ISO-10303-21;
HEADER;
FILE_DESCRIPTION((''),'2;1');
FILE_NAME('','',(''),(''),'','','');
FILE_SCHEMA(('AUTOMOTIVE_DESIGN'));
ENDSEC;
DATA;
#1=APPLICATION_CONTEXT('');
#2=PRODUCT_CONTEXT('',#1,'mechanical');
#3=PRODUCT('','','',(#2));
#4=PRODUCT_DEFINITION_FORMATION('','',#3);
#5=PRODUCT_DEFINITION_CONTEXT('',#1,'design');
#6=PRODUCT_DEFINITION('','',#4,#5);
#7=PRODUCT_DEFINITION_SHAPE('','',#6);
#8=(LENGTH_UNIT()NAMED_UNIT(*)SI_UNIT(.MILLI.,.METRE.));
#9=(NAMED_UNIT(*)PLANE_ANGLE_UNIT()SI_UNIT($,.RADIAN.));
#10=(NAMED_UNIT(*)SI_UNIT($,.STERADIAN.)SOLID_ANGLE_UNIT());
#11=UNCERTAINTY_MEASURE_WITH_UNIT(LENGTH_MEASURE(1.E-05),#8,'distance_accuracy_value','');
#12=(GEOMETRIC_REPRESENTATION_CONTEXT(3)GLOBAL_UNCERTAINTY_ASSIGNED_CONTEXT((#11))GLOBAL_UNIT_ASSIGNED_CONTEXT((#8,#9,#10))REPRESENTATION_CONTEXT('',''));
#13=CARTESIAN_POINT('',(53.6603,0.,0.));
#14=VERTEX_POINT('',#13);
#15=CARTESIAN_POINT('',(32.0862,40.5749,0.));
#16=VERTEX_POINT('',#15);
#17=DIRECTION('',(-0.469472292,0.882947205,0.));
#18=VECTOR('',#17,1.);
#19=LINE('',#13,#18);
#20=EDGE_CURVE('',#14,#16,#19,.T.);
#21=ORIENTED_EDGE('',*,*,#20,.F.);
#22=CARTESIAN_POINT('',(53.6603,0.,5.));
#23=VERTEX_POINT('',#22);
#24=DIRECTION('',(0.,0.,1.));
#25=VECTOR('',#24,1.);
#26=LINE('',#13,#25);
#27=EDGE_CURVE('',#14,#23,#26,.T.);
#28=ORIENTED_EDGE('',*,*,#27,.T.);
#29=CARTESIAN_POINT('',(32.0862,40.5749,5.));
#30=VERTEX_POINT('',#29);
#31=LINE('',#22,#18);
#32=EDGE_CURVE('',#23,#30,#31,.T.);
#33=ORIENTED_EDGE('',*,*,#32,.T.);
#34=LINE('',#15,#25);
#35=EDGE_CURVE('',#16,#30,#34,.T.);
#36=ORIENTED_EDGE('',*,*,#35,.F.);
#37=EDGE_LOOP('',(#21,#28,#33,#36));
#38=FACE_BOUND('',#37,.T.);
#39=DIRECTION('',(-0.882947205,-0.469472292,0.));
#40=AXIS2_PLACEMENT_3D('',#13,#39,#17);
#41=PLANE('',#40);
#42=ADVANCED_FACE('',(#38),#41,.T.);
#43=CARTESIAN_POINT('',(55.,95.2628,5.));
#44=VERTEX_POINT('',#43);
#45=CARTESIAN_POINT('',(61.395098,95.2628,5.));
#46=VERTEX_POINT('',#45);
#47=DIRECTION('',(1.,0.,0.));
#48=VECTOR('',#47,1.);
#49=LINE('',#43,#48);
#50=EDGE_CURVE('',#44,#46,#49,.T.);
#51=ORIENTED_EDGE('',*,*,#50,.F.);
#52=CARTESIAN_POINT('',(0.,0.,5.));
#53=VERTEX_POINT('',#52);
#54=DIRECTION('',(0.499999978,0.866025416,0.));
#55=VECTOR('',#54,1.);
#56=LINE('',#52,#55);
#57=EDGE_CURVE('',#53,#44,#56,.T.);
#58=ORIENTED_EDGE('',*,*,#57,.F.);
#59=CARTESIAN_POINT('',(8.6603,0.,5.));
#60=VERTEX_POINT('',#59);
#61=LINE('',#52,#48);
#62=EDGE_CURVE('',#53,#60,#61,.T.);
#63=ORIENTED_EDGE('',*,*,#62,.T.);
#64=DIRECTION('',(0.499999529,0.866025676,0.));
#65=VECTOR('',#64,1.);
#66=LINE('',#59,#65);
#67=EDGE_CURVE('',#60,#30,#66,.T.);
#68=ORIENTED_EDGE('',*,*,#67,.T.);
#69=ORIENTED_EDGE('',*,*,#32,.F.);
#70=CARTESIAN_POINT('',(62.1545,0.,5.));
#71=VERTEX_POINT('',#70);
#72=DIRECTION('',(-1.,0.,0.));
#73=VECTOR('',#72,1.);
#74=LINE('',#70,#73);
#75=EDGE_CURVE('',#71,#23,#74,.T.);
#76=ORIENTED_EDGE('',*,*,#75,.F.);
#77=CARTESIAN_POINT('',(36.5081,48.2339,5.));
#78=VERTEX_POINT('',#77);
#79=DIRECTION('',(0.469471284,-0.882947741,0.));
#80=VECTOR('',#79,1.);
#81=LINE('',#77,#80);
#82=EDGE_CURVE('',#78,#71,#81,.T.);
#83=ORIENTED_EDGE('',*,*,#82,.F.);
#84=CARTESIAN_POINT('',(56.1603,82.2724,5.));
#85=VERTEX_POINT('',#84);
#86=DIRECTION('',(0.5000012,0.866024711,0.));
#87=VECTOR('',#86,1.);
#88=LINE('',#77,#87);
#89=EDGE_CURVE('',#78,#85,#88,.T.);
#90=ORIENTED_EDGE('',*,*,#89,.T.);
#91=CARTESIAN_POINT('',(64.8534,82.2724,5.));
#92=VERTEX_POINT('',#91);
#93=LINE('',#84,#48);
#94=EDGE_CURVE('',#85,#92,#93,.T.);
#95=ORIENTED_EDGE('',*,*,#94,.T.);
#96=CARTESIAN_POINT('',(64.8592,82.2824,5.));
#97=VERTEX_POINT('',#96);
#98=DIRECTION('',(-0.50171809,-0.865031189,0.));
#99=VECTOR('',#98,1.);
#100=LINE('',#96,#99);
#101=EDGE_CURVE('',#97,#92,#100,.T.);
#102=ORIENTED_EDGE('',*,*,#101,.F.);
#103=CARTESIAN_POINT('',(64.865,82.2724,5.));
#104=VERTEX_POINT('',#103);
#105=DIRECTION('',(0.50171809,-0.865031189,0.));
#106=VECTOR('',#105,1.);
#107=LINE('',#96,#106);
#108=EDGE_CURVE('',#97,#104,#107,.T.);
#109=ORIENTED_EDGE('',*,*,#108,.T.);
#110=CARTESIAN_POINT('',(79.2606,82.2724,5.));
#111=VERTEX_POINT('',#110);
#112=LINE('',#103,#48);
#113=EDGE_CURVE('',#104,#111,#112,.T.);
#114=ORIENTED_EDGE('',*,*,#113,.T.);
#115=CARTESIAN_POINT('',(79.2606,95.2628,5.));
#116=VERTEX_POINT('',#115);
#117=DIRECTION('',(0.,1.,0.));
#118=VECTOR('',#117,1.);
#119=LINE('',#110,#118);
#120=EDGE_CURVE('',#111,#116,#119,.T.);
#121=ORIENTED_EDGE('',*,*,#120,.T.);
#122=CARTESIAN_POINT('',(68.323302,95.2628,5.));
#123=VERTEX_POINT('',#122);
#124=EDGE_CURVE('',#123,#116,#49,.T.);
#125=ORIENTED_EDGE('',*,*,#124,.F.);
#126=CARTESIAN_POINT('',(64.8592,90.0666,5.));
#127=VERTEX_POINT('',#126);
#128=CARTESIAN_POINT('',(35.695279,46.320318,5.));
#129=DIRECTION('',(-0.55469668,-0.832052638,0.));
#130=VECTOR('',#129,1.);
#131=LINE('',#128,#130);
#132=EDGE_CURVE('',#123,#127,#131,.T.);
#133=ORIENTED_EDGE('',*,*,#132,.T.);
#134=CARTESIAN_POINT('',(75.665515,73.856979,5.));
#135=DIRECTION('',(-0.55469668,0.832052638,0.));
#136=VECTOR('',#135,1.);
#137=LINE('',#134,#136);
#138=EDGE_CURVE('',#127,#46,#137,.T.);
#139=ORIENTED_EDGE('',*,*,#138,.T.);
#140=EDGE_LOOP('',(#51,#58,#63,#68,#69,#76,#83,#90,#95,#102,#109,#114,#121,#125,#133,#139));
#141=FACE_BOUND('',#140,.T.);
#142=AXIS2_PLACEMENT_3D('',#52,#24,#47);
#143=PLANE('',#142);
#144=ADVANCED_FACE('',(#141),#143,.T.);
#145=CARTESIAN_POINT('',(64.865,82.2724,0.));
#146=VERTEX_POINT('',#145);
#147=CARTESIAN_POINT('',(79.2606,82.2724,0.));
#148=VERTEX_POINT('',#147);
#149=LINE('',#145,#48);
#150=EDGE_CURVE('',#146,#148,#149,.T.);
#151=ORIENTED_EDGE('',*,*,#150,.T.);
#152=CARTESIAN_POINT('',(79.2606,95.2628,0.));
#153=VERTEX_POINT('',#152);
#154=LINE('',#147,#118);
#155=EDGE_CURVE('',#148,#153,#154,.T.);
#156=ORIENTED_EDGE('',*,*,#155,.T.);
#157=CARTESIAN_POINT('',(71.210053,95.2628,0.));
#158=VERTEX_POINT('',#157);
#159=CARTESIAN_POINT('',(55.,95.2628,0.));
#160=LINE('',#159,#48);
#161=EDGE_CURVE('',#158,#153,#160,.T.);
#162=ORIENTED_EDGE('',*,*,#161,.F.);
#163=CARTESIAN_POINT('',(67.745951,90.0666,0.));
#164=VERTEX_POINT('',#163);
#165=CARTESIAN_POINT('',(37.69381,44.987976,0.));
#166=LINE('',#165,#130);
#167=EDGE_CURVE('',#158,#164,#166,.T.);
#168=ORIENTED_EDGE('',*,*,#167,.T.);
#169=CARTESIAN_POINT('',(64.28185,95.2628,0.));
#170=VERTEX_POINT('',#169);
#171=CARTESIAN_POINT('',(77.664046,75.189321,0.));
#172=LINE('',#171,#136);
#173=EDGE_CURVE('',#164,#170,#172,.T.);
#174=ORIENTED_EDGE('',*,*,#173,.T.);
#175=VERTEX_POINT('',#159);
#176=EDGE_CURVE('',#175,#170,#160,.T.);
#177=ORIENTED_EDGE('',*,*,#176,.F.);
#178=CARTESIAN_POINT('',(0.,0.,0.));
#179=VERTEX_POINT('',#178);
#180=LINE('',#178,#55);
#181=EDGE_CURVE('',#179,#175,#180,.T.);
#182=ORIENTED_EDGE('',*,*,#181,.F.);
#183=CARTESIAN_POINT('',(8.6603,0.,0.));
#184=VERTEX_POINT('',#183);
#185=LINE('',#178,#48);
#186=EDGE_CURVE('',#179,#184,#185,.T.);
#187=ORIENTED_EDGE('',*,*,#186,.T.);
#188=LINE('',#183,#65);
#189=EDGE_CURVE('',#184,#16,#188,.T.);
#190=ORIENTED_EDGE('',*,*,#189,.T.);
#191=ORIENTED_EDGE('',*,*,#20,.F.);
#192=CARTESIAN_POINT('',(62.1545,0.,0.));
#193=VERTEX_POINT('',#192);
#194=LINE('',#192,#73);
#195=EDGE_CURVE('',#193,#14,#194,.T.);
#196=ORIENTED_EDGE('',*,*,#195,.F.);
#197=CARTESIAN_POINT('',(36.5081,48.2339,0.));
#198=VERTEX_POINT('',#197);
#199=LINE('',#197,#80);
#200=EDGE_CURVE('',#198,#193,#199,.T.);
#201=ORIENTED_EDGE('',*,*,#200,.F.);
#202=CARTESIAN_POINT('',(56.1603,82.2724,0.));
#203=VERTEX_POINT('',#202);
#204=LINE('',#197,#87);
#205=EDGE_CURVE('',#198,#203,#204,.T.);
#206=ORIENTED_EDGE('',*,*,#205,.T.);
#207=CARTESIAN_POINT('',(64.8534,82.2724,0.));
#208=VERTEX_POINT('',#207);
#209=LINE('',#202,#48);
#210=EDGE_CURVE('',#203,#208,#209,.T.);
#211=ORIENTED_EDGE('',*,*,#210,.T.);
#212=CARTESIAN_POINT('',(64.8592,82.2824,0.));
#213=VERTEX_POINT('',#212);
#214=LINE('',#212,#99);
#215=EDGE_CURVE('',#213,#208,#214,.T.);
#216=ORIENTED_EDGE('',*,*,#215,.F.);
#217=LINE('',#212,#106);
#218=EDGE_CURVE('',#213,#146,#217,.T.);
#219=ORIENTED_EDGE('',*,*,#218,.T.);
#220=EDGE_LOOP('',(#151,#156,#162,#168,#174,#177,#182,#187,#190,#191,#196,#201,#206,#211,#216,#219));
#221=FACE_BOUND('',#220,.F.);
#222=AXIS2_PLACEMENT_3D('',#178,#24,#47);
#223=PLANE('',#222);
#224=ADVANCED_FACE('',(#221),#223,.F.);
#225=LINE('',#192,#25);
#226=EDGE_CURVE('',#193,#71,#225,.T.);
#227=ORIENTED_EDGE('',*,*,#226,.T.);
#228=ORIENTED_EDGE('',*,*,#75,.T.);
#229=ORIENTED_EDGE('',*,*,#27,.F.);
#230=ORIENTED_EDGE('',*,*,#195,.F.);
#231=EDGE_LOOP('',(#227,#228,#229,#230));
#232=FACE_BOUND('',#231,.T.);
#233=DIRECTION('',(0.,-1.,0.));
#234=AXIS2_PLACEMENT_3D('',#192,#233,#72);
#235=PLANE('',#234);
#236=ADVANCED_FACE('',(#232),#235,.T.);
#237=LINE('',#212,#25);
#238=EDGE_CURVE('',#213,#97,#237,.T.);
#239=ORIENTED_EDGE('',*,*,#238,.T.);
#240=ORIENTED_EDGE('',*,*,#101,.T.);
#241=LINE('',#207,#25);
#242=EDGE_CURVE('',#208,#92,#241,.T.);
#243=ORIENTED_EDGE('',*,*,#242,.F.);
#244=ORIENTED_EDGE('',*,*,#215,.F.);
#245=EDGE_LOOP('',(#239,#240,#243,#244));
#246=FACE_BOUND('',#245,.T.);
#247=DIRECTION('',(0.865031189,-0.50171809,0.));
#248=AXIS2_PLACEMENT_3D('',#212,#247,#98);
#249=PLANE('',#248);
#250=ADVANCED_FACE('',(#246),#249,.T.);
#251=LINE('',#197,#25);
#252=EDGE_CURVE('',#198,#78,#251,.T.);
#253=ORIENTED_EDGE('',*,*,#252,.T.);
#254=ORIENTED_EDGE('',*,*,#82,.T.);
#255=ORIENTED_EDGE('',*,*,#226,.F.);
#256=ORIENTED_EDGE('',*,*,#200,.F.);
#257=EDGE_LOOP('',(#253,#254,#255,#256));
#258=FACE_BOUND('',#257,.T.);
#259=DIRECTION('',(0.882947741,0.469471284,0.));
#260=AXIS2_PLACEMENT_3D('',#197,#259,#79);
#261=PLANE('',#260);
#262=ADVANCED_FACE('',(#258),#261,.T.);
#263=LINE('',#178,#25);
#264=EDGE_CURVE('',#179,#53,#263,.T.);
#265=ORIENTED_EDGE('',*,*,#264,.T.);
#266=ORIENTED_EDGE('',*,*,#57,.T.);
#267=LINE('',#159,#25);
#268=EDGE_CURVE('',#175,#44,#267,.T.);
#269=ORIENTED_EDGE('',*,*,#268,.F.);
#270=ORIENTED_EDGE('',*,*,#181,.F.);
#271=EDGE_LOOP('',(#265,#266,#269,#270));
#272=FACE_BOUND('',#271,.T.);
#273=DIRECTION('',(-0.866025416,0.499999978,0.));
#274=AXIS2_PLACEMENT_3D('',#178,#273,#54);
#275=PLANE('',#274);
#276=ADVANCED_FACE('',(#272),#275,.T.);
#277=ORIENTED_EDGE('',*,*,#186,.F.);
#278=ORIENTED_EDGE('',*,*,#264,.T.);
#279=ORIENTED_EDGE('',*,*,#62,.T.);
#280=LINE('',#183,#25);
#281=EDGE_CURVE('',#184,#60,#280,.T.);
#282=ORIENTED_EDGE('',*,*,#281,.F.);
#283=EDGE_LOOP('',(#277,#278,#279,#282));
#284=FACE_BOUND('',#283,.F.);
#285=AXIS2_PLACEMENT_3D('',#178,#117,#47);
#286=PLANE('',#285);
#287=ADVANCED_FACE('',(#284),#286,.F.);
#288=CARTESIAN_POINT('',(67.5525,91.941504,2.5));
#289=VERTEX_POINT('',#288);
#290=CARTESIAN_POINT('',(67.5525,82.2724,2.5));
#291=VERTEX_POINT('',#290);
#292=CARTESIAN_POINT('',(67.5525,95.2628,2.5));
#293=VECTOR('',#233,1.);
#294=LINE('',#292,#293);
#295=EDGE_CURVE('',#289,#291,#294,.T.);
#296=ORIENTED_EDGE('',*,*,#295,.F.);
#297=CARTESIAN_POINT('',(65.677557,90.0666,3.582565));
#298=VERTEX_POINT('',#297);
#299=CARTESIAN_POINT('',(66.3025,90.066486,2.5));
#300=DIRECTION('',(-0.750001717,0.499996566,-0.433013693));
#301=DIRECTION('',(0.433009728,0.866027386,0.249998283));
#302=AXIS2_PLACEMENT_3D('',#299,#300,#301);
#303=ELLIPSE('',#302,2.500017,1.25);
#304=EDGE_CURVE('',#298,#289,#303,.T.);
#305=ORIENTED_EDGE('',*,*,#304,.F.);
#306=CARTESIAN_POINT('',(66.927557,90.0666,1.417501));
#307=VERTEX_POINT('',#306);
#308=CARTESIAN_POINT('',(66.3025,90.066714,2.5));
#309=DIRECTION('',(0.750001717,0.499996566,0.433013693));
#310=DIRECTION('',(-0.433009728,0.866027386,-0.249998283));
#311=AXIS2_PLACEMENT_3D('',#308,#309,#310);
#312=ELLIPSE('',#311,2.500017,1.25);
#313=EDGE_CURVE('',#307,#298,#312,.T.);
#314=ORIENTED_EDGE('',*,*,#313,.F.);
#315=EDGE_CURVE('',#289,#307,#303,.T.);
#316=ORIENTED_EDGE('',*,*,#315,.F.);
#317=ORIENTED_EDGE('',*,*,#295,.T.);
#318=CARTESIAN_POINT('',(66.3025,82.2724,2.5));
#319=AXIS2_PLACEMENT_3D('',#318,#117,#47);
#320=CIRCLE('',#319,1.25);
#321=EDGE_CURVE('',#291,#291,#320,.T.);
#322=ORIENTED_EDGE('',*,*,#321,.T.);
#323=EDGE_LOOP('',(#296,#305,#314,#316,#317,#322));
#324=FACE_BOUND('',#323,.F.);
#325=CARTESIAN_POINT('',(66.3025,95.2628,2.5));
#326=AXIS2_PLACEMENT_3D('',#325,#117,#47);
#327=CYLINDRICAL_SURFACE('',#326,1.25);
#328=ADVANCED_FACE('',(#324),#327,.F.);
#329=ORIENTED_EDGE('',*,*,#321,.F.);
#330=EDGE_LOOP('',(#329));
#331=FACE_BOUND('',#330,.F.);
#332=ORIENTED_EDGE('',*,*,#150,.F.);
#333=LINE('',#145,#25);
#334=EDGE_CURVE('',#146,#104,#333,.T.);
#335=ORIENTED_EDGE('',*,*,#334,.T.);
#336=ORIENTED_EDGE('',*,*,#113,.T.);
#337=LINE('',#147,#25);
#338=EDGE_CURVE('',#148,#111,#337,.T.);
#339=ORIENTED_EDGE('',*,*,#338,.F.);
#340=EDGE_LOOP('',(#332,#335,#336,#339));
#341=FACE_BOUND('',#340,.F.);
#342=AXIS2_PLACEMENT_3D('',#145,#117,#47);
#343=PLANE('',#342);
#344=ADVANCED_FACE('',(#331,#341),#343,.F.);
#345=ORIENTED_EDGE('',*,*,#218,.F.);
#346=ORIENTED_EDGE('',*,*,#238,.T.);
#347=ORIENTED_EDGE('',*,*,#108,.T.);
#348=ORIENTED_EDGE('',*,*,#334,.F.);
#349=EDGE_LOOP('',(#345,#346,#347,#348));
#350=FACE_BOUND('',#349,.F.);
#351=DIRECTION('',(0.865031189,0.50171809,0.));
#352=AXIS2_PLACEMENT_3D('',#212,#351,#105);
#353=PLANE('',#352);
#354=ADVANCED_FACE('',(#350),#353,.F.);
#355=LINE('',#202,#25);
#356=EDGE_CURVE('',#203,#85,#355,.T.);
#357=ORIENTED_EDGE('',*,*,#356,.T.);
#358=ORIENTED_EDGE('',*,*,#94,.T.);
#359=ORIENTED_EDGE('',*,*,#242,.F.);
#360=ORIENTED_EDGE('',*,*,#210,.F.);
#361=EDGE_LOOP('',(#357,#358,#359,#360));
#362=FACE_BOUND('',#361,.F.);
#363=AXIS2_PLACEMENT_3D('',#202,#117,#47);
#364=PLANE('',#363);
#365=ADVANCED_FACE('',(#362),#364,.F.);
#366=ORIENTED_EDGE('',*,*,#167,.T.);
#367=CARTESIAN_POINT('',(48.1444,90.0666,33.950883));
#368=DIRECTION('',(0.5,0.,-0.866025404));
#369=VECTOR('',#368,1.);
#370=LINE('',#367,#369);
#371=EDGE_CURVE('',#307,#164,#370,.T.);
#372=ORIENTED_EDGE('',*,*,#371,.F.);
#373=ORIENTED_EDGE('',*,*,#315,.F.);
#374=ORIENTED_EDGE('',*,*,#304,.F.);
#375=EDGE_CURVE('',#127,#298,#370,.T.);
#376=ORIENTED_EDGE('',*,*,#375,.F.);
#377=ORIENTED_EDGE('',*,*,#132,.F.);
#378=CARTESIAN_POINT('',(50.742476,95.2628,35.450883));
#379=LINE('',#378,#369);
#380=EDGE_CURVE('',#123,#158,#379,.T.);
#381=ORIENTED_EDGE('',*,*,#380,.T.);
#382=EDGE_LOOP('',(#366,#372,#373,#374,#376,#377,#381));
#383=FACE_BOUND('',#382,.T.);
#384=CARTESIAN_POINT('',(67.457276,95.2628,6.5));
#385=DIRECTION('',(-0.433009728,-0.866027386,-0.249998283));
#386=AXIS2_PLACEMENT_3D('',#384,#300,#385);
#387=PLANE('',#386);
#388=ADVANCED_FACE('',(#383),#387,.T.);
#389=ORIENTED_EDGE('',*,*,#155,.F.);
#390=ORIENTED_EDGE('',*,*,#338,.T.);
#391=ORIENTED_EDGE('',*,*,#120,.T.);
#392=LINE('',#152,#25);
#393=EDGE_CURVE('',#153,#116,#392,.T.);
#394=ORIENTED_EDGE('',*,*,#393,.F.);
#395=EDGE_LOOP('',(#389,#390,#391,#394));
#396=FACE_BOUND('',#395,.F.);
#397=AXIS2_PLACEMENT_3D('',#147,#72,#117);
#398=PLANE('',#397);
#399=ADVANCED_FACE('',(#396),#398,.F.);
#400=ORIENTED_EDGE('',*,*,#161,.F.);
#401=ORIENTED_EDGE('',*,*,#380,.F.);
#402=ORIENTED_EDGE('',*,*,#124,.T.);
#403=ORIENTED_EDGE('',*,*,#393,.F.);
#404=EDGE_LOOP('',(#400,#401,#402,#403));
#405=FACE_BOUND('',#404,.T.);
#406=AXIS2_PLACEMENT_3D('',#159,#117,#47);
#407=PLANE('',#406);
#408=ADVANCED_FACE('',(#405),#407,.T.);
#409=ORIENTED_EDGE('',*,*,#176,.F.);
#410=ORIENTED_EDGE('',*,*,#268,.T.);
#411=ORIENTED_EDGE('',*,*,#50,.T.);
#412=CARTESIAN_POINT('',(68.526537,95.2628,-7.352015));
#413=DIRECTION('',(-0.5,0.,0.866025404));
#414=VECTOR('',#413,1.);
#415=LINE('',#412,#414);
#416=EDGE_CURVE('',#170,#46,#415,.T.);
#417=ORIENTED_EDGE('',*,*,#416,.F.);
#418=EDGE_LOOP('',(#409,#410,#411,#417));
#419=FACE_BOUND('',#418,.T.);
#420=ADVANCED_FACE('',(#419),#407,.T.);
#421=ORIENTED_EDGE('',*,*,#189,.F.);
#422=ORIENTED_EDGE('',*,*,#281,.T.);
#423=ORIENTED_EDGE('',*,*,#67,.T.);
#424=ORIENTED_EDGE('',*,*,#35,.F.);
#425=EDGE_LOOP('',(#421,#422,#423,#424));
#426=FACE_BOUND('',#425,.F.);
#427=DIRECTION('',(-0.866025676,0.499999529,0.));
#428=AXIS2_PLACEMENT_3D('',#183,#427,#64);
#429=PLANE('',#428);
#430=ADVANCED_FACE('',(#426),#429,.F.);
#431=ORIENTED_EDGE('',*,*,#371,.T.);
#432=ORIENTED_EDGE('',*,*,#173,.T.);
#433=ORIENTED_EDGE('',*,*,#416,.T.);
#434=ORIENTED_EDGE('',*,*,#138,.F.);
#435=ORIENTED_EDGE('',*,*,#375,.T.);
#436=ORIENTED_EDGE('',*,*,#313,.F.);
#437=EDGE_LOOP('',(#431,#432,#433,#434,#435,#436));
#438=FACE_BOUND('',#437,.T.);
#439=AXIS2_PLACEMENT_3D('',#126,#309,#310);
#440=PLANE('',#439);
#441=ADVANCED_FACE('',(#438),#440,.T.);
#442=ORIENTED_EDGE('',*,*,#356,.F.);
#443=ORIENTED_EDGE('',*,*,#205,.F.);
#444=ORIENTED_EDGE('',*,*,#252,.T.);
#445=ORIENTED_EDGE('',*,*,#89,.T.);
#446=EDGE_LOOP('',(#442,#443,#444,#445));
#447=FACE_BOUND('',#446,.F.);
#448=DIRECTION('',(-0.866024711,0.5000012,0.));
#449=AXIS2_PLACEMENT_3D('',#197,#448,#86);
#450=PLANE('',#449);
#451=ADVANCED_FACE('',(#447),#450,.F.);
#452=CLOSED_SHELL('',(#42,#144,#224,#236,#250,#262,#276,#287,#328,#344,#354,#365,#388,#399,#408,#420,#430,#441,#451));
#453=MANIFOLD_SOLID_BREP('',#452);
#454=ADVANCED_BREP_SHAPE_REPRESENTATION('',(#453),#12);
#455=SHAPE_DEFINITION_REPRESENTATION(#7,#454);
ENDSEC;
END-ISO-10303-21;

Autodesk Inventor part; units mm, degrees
ref_plane "YZ Plane" through (0, 0, 0) normal (1, 0, 0) x (0, 1, 0)
ref_plane "XZ Plane" through (0, 0, 0) normal (0, 1, 0) x (-1, 0, 0)
sketch "Sketch1" plane through (0, 0, 0) normal (0, 0, 1) x (1, 0, 0)
  line L0 (0, 0) -> (55, 95.2628)
  line L1 (0, 0) -> (8.6603, 0)
  line L2 (64.8592, 0) -> (64.8592, 115) construction
  line L3 (64.8592, 0) -> (179.8592, 0) construction
  line L4 (56.1603, 82.2724) -> (65.4694, 82.2724) construction
  line L5 (79.2606, 82.2724) -> (79.2606, 95.2628)
  line L6 (55, 95.2628) -> (79.2606, 95.2628)
  line L7 (64.8592, 82.2724) -> (64.8592, 82.2824) construction
  line L8 (64.8592, 82.2824) -> (64.865, 82.2724)
  line L9 (64.8592, 82.2824) -> (64.8707, 82.2824) construction
  line L10 (64.8592, 82.2824) -> (64.8534, 82.2724)
  line L11 (64.8592, 82.2824) -> (64.8707, 82.2824) construction
  line L12 (64.865, 82.2724) -> (79.2606, 82.2724)
  line L13 (56.1603, 82.2724) -> (64.8534, 82.2724)
  line L14 (8.6603, 0) -> (53.6603, 0) construction
  line L15 (53.6603, 0) -> (32.0862, 40.5749)
  line L16 (53.6603, 0) -> (99.6142, 0) construction
  line L17 (36.5081, 48.2339) -> (62.1545, 0)
  line L18 (8.6603, 0) -> (32.0862, 40.5749)
  line L19 (36.5081, 48.2339) -> (56.1603, 82.2724)
  line L20 (62.1545, 0) -> (53.6603, 0)
  line L21 (79.2606, 95.2628) -> (79.2606, 82.2724) construction
  line L22 (64.8534, 82.2724) -> (64.865, 82.2724)
  dimension "d7" = 110
  dimension "d10" = 64.8592
  dimension "d11" = 115
  dimension "d12" = 90
  dimension "d15" = 95
  dimension "d22" = 0.01
  dimension "d23" = 60
  dimension "d24" = 120
  dimension "d27" = 45
  dimension "d28" = 118
  dimension "d29" = 7.5
  dimension "d43" = 7.5
  dimension "d44" = 7.5
  dimension "d45" = 24.2606
  dimension "d46" = 60
extrude "Extrusion2" add sketch "Sketch1" along normal blind 5 contours L0 L6 L5 L12 L8 L10 L13 L19 L17 L20 L15 L18 L1
ref_plane "Work Plane2" through (64.8592, 82.2824, 5) normal (0.866, 0, 0.5) x (0, 1, 0)
ref_plane "Work Plane1" through (79.2606, 95.2628, 5) normal (0.866, 0, 0.5) x (0, 1, 0)
sketch "Sketch2" plane through (64.8592, 82.2824, 5) normal (0.866, 0, 0.5) x (0, 1, 0)
  line L0 (12.9804, -7.2007) -> (12.9804, 4.9296) construction
  line L1 (-0.01, 0.0029) -> (0, 0) construction
  line L2 (0, 0) -> (12.9804, 0) construction
  circle A0 centre (12.9804, 0) radius 2
  point P0 (-82.2824, 28.0995)
  dimension "d33" = 4
ref_plane "Work Plane3" through (64.8592, 82.2824, 5) normal (0.5, 0, -0.866) x (0, 1, 0)
sketch "Sketch3" plane through (64.8592, 82.2824, 5) normal (0.5, 0, -0.866) x (0, 1, 0)
  line L0 (-101.735, 0) -> (34.4329, 0) construction
  line L1 (12.9804, -11.0383) -> (12.9804, 9.972) construction
  line L2 (12.9804, 12.472) -> (12.9804, -8.5383) projected
  line L3 (12.9804, 0) -> (12.9804, 3)
  line L4 (12.9804, 3) -> (7.7842, 0)
  line L5 (7.7842, 0) -> (12.9804, -3)
  line L6 (12.9804, -3) -> (12.9804, 3)
  point P0 (-82.2824, -58.6697)
  dimension "d38" = 3
  dimension "d39" = 60
  dimension "d40" = 60
extrude "Extrusion4" cut sketch "Sketch3" along normal through all both and the other way through all
sketch "Sketch4" plane through (79.2606, 95.2628, 5) normal (0, 1, 0) x (1, 0, 0)
  line L0 (-14.3957, 0) -> (0, 0) construction
  line L1 (0, 5) -> (-14.3957, 5) construction
  line L2 (-14.3957, 0) -> (-14.3957, 5) construction
  line L3 (-14.4072, 5) -> (-14.4072, 0) construction
  line L4 (-14.4072, 2.5) -> (-9.494, 2.5) construction
  line L5 (-8.0506, 5) -> (-10.9373, 0) construction
  line L6 (-11.5147, 5) -> (-14.4014, 0) projected
  circle A0 centre (-12.9581, 2.5) radius 1.25
  point P0 (-79.2606, 5)
  dimension "d47" = 2.5
extrude "Extrusion5" cut sketch "Sketch4" against normal through all
equation "\"d15\" = d7 - 2 * d9"
equation "\"d44\" = d43"
equation "\"d9\" = 7.5"
properties part number "TableSupport"
